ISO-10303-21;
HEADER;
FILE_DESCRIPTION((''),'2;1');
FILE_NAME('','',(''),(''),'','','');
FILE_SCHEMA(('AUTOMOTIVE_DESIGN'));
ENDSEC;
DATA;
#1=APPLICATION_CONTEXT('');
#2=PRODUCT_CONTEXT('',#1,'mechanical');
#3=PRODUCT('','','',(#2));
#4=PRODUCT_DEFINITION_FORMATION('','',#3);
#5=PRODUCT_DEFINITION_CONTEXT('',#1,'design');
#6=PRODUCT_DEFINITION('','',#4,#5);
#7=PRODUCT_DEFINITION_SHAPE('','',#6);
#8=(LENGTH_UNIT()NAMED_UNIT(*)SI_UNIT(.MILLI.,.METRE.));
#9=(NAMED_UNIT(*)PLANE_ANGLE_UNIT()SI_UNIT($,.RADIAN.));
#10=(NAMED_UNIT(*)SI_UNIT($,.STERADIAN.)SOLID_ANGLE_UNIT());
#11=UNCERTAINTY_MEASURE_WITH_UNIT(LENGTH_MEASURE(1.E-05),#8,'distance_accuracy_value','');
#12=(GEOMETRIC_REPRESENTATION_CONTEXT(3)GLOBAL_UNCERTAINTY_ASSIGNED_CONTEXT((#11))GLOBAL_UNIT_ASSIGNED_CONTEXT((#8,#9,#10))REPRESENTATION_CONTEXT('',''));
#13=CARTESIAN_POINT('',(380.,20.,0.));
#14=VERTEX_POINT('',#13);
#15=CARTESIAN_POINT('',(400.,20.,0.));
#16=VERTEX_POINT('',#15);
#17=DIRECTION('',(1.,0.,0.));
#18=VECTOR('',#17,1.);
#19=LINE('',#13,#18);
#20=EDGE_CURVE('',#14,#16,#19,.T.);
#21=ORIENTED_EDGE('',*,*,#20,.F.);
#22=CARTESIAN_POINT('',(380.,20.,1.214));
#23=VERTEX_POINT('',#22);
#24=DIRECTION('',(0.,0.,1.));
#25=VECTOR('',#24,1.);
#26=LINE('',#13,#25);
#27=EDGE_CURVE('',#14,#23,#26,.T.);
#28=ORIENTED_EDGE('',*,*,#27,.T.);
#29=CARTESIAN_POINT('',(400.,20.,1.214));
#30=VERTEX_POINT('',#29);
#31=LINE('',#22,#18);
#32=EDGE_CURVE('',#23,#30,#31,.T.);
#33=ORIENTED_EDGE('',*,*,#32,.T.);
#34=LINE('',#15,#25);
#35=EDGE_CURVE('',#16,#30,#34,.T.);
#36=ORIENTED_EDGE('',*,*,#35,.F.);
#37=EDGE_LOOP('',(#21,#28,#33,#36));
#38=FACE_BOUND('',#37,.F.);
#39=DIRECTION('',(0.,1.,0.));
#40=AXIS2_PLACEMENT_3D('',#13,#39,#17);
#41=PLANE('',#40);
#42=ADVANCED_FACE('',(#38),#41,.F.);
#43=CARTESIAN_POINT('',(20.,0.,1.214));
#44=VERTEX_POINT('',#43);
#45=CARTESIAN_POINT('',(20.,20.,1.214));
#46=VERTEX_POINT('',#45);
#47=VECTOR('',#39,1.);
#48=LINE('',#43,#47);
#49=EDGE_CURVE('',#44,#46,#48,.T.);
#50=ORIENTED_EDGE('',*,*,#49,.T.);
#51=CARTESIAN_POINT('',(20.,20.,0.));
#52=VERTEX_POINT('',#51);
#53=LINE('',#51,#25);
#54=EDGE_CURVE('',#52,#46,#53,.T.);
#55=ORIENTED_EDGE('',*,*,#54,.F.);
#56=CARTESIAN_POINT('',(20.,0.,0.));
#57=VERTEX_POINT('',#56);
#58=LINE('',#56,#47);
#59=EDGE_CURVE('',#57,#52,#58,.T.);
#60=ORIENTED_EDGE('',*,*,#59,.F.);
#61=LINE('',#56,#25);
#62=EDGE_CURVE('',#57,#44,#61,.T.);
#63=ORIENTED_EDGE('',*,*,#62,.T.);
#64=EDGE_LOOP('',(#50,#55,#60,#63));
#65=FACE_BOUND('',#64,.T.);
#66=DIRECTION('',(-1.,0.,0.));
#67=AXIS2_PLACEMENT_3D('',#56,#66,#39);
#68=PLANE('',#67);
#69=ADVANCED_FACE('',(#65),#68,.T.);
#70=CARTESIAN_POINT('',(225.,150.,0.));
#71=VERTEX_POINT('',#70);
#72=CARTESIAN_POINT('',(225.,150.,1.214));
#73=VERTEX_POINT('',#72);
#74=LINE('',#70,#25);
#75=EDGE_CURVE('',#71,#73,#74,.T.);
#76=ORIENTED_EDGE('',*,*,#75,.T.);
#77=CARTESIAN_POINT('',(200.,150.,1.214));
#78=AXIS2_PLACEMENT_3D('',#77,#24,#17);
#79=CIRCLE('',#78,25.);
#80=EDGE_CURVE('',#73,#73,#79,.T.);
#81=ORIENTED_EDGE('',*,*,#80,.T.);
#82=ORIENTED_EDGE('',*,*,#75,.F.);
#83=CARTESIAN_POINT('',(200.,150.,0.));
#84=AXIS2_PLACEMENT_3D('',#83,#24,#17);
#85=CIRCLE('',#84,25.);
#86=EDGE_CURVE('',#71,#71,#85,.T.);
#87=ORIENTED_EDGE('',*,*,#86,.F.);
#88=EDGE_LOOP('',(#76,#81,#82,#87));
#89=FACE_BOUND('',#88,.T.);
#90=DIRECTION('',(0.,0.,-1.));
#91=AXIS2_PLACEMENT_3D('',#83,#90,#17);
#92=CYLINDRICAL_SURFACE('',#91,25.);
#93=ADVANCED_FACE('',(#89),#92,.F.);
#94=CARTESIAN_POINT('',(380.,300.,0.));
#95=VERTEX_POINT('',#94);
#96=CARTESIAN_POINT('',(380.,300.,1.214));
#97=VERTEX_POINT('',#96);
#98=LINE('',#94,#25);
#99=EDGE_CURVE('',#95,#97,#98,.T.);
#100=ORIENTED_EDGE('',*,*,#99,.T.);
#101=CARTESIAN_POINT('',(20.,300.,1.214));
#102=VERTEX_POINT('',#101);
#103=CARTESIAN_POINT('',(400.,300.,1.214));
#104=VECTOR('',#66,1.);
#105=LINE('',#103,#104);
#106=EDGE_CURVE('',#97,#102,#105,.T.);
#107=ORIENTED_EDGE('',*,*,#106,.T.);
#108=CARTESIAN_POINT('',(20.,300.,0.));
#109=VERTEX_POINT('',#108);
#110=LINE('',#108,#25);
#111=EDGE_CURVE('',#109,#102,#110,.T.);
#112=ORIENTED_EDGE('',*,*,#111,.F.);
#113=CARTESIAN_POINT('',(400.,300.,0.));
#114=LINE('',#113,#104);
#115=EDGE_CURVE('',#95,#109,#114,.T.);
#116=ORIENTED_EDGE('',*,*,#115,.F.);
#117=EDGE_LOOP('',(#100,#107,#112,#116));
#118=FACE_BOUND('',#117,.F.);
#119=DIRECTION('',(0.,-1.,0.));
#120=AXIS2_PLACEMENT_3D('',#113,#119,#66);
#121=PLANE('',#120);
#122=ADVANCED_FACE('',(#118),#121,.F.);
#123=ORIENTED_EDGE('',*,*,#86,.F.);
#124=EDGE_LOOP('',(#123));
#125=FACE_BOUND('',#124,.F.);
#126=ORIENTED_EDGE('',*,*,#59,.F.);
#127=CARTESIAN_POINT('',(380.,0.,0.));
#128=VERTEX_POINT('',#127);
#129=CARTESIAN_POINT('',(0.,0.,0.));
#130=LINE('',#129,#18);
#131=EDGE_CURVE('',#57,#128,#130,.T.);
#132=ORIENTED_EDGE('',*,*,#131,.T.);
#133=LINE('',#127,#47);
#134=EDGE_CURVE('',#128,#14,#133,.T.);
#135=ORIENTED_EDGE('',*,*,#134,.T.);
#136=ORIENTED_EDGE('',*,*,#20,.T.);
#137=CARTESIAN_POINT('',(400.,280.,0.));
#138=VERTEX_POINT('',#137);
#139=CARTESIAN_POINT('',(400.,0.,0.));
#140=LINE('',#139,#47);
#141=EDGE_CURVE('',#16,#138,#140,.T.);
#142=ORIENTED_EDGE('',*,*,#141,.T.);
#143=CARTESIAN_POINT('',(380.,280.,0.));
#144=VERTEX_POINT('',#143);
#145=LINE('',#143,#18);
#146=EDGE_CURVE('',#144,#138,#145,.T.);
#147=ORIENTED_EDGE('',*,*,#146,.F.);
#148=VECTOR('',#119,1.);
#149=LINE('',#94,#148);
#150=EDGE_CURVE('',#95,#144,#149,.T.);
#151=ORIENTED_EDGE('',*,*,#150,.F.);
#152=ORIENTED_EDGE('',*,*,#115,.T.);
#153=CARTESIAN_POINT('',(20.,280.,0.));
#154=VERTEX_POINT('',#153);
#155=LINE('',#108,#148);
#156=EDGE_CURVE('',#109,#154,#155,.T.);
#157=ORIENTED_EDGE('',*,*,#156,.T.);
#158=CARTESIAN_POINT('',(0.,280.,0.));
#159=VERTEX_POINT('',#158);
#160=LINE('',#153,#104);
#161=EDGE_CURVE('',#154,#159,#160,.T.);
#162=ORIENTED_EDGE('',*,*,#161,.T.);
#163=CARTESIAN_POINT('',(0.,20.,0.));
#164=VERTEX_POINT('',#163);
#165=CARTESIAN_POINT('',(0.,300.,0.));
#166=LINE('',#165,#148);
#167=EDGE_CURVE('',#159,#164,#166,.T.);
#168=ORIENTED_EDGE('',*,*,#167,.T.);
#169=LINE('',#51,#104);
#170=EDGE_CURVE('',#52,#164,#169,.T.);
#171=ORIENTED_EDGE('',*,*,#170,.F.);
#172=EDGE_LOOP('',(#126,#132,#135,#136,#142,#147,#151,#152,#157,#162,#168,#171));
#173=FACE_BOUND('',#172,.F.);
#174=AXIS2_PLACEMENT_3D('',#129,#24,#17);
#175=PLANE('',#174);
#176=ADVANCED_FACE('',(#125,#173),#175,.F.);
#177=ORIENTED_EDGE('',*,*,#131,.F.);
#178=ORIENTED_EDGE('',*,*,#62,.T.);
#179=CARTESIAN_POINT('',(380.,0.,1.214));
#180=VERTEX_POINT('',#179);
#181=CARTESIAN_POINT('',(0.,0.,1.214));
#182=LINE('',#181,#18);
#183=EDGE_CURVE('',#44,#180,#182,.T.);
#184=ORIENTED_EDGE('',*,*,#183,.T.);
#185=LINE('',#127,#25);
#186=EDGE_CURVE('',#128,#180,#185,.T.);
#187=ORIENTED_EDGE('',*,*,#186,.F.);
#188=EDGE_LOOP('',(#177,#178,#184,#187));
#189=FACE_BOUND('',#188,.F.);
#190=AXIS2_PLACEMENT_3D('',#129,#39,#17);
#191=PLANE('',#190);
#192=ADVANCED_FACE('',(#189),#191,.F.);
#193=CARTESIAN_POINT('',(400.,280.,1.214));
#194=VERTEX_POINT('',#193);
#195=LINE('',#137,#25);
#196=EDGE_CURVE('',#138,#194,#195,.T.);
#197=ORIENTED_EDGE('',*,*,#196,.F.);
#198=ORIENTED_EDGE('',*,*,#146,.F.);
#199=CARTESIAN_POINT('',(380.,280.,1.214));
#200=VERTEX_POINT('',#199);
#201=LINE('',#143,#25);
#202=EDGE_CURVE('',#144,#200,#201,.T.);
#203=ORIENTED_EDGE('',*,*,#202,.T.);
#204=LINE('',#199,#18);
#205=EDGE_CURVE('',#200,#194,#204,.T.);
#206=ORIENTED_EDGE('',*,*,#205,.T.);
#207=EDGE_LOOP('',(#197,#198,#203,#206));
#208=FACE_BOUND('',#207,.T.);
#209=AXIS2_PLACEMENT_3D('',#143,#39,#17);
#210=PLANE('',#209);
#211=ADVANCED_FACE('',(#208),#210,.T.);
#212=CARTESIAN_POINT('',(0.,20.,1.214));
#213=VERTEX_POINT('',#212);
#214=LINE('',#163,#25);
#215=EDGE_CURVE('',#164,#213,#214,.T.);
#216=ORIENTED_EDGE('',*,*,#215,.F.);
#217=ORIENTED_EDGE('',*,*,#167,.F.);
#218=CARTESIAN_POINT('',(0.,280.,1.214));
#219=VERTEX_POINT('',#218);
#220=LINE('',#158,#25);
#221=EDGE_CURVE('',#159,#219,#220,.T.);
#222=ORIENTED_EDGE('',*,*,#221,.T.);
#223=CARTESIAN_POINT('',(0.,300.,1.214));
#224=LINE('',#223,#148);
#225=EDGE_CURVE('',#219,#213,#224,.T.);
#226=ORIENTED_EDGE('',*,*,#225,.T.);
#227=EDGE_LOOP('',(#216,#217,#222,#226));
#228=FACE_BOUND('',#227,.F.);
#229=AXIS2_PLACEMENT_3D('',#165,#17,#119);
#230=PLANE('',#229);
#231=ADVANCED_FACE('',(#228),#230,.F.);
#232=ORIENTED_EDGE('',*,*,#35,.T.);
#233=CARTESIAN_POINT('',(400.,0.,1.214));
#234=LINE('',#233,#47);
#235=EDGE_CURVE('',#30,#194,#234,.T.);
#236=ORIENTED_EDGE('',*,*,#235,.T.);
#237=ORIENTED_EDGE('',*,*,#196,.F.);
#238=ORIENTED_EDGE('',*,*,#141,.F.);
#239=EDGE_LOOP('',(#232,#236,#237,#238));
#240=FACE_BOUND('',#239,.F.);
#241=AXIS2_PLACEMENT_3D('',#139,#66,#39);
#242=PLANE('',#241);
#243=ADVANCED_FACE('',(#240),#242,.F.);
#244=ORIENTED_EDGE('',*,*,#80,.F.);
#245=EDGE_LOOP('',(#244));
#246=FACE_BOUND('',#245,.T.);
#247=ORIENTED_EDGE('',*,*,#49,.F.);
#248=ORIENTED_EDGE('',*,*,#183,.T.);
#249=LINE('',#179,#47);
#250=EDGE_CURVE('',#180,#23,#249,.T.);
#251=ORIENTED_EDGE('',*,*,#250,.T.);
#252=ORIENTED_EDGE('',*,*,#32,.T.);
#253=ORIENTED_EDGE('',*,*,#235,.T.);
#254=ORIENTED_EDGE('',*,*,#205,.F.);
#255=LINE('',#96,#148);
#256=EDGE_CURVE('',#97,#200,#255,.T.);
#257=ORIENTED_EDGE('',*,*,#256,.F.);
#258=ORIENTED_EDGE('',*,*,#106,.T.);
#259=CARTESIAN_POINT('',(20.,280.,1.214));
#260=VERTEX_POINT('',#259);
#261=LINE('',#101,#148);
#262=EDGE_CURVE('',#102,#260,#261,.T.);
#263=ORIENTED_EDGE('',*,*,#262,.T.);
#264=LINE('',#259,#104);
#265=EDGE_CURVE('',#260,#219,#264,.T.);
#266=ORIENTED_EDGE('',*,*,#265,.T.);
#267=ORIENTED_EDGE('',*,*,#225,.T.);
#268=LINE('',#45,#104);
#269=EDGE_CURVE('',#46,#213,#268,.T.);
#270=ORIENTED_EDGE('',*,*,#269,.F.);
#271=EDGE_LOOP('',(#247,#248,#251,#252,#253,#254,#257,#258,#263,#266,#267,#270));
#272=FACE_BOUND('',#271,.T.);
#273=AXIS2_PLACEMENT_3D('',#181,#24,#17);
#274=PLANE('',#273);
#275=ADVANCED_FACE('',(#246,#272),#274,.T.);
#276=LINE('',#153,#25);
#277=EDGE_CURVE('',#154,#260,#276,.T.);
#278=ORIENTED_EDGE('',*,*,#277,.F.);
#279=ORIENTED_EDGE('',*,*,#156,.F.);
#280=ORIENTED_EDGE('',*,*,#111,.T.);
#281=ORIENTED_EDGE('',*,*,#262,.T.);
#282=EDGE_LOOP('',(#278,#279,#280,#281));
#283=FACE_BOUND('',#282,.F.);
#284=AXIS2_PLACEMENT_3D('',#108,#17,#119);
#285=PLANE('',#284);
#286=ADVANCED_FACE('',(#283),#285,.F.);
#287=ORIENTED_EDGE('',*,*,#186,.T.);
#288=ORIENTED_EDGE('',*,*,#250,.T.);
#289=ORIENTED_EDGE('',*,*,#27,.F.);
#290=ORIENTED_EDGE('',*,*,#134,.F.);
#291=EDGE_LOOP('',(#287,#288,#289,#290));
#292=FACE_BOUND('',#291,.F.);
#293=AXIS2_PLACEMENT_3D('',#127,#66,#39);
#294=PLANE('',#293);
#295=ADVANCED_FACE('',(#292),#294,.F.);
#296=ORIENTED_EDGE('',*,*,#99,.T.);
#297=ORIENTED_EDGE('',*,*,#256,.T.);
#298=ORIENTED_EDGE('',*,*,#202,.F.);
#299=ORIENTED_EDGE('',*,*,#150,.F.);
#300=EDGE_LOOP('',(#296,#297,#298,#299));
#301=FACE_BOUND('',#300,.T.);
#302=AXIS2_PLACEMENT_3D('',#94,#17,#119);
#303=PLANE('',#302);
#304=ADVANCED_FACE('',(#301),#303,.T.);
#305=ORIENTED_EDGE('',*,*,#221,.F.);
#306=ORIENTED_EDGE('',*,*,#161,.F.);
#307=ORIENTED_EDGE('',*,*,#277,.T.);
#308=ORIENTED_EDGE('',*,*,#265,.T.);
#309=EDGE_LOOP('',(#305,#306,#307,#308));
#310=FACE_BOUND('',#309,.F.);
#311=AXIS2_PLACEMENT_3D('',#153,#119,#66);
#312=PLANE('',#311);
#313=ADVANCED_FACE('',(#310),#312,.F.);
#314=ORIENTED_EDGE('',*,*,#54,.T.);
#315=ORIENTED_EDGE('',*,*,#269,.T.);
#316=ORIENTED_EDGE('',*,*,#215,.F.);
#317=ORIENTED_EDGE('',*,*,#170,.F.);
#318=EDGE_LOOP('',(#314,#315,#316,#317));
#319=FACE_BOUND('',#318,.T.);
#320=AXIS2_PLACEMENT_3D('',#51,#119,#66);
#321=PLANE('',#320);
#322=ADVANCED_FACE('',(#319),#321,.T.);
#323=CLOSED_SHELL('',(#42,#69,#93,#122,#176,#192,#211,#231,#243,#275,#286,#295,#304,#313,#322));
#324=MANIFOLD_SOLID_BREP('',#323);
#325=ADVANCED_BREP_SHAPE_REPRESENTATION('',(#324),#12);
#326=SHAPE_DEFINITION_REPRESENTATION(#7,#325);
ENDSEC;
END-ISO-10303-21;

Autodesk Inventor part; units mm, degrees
ref_plane "YZ Plane" through (0, 0, 0) normal (1, 0, 0) x (0, 1, 0)
ref_plane "XZ Plane" through (0, 0, 0) normal (0, 1, 0) x (-1, 0, 0)
ref_plane "XY Plane" through (0, 0, 0) normal (0, 0, 1) x (1, 0, 0)
sketch "Sketch4" plane through (0, 0, 0) normal (0, 0, 1) x (1, 0, 0)
  line L0 (0, 0) -> (400, 0)
  line L1 (400, 0) -> (400, 300)
  line L2 (400, 300) -> (0, 300)
  line L3 (0, 300) -> (0, 0)
  dimension "d9" = 400
  dimension "d10" = 300
extrude "Plate2" add sketch "Sketch4" along normal blind 1.214
sketch "Sketch6" plane through (0, 0, 0) normal (0, 0, 1) x (1, 0, 0)
  line L0 (400, 0) -> (0, 0) projected
  line L1 (0, 300) -> (0, 0) projected
  circle A0 centre (200, 150) radius 25
  dimension "d13" = 50
extrude "Cut3" cut sketch "Sketch6" along normal blind 1.214
sketch "Sketch7" plane through (0, 0, 0) normal (0, 0, 1) x (1, 0, 0)
  line L0 (0, 0) -> (20, 0)
  line L1 (20, 0) -> (20, 20)
  line L2 (20, 20) -> (0, 20)
  line L3 (0, 20) -> (0, 0)
  dimension "d16" = 20
  dimension "d17" = 20
extrude "Cut4" cut sketch "Sketch7" along normal blind 1.214
sketch "Sketch8" plane through (0, 0, 0) normal (0, 0, 1) x (1, 0, 0)
  line L0 (400, 0) -> (400, 300) projected
  line L1 (400, 0) -> (380, 0)
  line L2 (380, 0) -> (380, 20)
  line L3 (380, 20) -> (400, 20)
  line L4 (400, 20) -> (400, 0)
  line L5 (400, 300) -> (380, 300)
  line L6 (380, 300) -> (380, 280)
  line L7 (380, 280) -> (400, 280)
  line L8 (400, 280) -> (400, 300)
  line L9 (400, 300) -> (0, 300) projected
  line L10 (0, 300) -> (20, 300)
  line L11 (20, 300) -> (20, 280)
  line L12 (20, 280) -> (0, 280)
  line L13 (0, 280) -> (0, 300)
  point P0 (0, 0)
  dimension "d20" = 20
  dimension "d21" = 20
  dimension "d22" = 20
  dimension "d23" = 20
  dimension "d24" = 20
  dimension "d25" = 20
extrude "Cut5" cut sketch "Sketch8" along normal blind 1.214
equation "\"d14\" = Thickness"
equation "\"d18\" = Thickness"
equation "\"d26\" = Thickness"
equation "\"BendRadius\" = Thickness"
equation "\"BendReliefWidth\" = Thickness"
equation "\"BendReliefDepth\" = 0.5 * Thickness"
equation "\"CornerReliefSize\" = 4 * Thickness"
equation "\"MinimumRemnant\" = 2 * Thickness"
equation "\"TransitionRadius\" = BendRadius"
equation "\"JacobiRadiusSize\" = BendRadius"
equation "\"GapSize\" = Thickness"
equation "\"d2\" = BendRadius"
equation "\"d11\" = BendRadius"
equation "\"Thickness\" = 1.214"
properties part number "FrameSheetLaserViewport" material "Steel, Galvanized"
